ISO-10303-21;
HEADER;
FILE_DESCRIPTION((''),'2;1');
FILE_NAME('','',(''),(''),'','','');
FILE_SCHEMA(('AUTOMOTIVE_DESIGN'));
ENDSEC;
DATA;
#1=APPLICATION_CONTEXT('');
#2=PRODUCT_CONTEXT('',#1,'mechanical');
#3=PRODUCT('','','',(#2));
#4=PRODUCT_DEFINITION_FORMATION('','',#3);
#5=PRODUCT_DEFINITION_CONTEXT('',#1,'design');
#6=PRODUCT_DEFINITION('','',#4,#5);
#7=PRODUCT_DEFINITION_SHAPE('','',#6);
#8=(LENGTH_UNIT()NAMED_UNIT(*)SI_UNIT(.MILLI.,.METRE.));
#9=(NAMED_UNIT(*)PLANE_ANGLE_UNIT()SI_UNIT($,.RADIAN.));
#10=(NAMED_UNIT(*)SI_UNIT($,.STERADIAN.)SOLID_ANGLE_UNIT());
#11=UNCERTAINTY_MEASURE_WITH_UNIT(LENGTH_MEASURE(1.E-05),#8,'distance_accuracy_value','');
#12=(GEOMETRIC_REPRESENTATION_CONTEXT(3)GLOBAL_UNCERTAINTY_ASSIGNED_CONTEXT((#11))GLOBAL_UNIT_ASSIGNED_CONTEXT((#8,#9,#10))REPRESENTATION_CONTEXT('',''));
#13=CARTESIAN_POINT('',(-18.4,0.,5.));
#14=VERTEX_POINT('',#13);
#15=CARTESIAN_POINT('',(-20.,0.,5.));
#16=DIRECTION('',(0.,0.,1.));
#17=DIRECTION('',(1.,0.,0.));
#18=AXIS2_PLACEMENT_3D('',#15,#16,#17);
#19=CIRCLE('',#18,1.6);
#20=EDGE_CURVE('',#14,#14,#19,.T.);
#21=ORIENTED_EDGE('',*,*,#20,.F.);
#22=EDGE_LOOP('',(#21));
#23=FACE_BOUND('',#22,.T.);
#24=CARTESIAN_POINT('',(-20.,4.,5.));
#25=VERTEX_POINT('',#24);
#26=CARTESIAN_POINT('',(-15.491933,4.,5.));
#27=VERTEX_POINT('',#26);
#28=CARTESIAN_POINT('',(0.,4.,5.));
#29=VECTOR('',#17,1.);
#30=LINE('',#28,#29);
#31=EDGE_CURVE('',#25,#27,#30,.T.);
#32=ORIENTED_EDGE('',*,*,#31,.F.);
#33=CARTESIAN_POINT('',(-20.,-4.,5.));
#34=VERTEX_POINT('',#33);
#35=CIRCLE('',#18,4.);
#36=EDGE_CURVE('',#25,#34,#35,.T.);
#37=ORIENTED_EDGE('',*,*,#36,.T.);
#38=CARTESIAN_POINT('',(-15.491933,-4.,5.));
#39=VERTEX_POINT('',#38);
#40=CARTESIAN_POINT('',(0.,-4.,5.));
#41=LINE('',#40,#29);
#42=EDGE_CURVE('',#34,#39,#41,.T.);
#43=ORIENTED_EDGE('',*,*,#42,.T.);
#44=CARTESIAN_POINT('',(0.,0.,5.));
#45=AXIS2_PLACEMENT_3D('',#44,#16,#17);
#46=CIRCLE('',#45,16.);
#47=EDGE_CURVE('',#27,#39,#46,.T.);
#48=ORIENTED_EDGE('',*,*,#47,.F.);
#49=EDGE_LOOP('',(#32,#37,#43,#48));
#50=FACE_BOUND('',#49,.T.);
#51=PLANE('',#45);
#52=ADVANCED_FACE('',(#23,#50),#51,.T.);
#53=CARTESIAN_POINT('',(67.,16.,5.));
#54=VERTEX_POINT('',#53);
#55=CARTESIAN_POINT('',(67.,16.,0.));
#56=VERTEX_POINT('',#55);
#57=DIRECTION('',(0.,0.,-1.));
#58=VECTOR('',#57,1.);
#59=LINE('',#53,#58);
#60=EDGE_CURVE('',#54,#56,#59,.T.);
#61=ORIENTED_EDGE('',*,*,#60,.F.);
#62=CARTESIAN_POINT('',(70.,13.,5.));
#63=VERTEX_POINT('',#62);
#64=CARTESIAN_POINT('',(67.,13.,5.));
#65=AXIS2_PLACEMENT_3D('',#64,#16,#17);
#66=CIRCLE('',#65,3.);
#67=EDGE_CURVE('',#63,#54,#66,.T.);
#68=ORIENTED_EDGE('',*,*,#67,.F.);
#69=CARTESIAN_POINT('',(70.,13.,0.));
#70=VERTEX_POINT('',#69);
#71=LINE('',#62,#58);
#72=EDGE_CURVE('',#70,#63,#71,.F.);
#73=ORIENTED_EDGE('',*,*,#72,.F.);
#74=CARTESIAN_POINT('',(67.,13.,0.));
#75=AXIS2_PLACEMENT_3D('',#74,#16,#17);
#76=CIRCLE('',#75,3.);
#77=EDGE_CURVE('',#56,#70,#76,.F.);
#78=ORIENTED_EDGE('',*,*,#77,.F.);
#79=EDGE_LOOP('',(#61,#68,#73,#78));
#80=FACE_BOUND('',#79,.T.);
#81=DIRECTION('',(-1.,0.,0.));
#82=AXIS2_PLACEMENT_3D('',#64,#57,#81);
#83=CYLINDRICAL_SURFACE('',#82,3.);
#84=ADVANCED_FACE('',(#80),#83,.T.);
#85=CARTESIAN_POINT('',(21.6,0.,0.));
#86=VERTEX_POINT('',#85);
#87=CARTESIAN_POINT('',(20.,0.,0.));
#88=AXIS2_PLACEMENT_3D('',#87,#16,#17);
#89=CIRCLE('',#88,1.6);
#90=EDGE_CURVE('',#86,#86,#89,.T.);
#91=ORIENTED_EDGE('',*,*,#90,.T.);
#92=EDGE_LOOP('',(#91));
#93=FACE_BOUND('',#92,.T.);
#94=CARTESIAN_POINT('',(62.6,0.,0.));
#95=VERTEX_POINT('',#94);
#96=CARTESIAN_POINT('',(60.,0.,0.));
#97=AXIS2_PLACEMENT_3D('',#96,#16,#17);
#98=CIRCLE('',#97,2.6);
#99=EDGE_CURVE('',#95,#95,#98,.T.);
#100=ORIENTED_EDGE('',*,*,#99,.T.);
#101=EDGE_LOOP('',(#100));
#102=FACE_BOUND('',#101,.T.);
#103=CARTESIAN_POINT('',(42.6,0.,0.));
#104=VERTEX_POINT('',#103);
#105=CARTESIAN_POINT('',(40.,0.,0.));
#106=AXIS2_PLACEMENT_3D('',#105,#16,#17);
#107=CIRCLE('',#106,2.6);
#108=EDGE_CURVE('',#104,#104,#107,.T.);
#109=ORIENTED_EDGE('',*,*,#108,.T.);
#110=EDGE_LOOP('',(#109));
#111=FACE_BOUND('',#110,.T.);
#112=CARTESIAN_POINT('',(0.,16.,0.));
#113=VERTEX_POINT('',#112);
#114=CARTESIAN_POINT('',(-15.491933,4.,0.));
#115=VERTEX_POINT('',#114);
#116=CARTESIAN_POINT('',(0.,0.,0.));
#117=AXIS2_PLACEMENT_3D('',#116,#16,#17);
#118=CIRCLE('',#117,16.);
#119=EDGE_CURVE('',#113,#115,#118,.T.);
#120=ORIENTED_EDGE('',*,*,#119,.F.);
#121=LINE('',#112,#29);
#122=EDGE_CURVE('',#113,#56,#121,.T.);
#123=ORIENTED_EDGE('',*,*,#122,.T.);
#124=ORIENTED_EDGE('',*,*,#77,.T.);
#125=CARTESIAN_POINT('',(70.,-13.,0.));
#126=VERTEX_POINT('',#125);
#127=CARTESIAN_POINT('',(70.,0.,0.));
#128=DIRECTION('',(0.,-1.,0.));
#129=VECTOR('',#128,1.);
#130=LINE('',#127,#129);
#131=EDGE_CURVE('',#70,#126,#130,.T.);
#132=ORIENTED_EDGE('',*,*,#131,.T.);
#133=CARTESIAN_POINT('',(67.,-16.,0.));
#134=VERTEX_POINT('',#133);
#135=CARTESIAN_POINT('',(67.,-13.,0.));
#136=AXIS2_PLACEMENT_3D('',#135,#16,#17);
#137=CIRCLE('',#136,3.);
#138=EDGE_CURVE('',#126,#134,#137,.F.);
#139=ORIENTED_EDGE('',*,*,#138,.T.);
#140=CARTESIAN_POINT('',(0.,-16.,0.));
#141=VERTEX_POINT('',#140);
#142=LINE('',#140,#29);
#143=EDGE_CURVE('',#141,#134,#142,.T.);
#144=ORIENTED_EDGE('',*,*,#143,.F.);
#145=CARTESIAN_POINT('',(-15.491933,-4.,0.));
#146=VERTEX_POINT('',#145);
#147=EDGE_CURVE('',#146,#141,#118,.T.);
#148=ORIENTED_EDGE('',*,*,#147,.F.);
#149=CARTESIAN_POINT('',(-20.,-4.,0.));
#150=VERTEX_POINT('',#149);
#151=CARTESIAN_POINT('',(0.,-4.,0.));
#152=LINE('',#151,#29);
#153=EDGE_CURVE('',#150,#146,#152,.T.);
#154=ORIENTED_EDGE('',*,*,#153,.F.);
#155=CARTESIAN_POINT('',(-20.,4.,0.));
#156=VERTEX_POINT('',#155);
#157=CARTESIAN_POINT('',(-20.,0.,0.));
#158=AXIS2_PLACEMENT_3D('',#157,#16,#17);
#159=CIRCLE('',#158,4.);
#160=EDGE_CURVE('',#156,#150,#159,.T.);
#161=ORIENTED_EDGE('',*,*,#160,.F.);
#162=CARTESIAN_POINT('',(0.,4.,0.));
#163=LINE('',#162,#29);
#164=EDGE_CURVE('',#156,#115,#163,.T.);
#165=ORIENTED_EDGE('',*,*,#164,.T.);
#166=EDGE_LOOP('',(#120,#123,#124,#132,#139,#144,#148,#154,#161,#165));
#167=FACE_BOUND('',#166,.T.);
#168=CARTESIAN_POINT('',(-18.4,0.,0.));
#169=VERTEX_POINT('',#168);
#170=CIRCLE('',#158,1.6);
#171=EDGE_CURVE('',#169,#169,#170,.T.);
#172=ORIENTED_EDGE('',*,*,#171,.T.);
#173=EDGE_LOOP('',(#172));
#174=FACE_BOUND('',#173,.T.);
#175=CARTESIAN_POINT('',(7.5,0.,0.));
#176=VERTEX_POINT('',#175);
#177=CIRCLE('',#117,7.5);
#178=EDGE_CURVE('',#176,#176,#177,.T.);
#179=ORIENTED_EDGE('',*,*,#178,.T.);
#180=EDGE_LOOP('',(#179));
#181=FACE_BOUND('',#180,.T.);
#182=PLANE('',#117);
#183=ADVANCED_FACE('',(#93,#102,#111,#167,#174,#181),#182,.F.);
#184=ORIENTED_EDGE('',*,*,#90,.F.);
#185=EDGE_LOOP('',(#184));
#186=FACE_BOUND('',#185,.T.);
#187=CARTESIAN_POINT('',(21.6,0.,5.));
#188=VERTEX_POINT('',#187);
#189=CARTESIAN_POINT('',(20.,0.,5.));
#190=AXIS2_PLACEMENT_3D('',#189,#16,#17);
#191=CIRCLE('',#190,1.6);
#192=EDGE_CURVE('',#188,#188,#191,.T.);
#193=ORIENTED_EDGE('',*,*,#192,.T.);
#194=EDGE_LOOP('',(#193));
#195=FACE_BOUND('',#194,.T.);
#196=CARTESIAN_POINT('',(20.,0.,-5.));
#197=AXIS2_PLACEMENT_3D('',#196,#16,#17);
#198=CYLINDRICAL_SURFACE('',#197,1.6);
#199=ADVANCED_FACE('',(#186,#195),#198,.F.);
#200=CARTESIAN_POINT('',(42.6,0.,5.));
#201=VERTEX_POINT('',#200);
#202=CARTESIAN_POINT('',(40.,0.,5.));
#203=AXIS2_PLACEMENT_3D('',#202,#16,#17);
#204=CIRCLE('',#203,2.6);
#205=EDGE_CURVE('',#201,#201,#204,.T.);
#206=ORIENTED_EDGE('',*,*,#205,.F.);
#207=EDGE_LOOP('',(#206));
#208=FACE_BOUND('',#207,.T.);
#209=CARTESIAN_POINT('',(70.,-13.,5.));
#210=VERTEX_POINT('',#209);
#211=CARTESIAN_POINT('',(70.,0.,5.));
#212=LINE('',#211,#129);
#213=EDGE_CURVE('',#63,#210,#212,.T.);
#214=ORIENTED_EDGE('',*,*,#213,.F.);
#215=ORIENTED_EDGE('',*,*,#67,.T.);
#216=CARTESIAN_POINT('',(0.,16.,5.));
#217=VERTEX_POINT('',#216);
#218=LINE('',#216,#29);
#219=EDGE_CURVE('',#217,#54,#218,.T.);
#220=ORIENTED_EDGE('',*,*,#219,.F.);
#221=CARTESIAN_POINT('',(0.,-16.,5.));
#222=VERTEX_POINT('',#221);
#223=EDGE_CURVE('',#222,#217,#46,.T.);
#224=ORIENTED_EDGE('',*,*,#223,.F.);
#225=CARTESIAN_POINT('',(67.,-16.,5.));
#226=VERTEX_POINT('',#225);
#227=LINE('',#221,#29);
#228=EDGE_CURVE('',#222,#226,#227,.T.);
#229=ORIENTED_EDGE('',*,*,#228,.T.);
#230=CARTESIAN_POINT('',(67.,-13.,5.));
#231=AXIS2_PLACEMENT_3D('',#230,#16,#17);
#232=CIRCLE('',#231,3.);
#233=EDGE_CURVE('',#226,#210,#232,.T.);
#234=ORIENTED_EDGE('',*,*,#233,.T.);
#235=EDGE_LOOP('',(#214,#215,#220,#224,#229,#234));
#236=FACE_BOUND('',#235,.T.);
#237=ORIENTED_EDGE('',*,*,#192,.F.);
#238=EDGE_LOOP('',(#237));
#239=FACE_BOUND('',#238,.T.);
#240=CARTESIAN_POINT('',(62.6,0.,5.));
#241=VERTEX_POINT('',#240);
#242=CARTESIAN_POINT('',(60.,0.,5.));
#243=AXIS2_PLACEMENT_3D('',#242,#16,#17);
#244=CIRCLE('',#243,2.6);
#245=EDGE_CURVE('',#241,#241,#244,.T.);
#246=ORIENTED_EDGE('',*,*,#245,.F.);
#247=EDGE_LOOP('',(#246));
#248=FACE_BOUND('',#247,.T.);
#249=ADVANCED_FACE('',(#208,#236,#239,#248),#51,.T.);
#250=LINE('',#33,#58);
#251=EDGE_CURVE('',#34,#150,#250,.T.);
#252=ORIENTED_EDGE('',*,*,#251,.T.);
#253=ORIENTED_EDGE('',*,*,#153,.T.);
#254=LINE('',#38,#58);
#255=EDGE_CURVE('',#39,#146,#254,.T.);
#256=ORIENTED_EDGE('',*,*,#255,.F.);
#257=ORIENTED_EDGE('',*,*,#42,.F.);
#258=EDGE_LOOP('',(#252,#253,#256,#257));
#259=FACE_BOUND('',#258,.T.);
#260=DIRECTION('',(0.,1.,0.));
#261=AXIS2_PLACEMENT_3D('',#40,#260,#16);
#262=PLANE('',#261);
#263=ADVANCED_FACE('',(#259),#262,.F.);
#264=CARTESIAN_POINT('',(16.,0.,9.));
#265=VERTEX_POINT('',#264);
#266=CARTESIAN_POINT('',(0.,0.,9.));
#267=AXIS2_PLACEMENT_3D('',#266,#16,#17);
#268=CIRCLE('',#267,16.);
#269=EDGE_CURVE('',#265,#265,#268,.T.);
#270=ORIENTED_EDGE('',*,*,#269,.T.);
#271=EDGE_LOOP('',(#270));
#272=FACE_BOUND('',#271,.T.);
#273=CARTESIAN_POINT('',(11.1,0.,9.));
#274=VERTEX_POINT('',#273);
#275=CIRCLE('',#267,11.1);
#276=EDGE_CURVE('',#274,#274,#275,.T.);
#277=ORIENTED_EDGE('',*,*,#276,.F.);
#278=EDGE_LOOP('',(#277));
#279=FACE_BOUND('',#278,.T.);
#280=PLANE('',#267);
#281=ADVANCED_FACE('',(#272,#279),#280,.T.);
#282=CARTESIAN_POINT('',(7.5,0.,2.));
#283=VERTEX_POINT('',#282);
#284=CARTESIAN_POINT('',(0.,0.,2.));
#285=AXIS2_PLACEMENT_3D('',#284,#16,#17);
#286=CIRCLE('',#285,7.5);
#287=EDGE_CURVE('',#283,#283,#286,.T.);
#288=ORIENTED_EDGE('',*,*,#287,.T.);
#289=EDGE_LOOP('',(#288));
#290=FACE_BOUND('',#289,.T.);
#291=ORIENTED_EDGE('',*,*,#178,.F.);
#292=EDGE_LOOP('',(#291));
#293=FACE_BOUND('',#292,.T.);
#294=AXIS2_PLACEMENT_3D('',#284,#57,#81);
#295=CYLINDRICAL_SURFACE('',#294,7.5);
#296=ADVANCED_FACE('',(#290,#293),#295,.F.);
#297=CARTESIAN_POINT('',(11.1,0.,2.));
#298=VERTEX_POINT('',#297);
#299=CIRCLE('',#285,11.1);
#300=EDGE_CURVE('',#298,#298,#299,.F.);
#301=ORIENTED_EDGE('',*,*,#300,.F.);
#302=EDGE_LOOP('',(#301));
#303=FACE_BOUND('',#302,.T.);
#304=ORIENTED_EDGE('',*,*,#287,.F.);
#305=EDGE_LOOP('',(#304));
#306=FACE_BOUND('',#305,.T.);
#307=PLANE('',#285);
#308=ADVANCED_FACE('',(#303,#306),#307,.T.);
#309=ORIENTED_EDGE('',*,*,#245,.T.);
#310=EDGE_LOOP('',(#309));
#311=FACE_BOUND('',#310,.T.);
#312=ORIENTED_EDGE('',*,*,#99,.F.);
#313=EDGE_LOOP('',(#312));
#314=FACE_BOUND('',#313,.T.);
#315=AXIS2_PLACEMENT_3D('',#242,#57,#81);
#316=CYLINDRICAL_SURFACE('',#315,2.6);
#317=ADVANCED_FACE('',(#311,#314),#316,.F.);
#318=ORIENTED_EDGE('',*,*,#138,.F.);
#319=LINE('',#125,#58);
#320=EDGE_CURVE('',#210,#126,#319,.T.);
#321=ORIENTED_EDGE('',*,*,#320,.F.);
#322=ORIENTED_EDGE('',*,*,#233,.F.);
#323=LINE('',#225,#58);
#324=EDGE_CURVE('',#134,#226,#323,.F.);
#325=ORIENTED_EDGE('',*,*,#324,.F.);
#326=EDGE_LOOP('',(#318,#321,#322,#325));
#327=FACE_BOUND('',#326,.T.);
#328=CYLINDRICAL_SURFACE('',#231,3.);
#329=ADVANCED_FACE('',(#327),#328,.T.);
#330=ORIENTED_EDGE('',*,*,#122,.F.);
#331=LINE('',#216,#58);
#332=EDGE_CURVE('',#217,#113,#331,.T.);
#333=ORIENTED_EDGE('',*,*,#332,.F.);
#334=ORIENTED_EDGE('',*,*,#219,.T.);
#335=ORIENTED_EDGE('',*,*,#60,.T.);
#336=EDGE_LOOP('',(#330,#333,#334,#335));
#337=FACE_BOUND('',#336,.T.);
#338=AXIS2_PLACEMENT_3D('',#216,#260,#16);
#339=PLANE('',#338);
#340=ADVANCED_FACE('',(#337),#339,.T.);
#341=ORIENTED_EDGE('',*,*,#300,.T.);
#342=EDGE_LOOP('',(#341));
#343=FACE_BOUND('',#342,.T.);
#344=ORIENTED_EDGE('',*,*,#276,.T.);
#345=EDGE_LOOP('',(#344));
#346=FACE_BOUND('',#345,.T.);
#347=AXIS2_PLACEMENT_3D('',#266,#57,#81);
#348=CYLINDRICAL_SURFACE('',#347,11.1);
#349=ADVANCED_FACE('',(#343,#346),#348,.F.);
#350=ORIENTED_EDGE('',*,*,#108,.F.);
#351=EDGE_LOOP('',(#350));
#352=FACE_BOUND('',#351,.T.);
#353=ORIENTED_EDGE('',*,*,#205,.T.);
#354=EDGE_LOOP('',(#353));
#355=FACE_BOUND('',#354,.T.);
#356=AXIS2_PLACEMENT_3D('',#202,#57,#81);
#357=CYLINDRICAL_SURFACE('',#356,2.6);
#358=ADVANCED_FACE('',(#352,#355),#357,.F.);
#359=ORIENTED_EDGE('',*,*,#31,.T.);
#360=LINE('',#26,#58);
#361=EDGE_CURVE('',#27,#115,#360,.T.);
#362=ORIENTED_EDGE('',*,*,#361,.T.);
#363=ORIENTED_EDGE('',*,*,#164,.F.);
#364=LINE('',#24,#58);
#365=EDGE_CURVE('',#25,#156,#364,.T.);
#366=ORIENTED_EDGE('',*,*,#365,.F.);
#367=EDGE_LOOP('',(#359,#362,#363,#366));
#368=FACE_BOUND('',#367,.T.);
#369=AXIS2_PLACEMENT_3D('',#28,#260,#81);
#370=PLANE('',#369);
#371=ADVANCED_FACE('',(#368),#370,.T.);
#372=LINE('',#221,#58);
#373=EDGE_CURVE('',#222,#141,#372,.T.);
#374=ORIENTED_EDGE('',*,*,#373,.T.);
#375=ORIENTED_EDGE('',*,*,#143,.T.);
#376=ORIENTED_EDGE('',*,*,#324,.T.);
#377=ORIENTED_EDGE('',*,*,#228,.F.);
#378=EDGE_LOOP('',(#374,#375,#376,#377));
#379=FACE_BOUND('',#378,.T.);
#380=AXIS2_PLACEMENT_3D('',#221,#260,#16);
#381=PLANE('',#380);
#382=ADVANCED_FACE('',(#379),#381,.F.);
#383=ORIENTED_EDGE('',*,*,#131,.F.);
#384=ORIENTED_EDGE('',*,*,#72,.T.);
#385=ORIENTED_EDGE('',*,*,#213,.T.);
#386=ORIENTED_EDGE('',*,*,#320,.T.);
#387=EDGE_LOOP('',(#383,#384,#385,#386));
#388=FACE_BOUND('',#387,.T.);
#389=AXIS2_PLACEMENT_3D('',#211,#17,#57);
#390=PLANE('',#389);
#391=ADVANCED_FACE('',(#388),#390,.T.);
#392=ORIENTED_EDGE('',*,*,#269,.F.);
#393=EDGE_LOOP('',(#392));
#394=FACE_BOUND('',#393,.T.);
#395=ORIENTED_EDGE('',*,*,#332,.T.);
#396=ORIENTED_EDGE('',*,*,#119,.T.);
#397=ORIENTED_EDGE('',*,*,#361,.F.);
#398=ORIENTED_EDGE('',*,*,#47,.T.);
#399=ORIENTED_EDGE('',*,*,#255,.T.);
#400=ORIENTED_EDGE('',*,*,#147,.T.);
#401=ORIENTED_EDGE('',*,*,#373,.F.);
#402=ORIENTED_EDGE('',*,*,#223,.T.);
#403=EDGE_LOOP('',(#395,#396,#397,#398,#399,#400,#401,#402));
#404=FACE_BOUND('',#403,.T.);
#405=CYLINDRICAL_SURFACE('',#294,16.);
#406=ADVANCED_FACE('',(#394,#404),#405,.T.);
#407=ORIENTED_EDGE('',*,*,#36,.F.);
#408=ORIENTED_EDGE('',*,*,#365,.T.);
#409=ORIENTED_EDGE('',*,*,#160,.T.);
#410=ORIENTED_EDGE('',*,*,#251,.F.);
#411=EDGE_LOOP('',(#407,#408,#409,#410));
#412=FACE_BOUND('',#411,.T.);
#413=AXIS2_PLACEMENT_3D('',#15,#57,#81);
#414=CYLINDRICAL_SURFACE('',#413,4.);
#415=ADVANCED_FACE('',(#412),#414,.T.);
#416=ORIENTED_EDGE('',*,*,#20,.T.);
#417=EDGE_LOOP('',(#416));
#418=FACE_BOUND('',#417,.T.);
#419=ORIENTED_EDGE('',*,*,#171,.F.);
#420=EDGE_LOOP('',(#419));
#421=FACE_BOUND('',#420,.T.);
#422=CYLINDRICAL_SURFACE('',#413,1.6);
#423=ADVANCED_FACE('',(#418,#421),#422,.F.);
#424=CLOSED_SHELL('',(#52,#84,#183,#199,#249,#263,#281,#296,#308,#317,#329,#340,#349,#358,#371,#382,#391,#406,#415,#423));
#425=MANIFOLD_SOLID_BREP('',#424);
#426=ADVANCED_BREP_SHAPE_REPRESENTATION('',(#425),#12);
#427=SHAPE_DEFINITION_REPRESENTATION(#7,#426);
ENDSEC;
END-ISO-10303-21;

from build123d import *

# Parameters (mm, degrees)
SKETCH3_R           = 7.5
BOSS_EXTRUDE3_DEPTH = 2
SKETCH2_R           = 16
SKETCH2_R_2         = 11.1
BOSS_EXTRUDE4_DEPTH = 9
SKETCH4_R           = 2.6
BOSS_EXTRUDE5_DEPTH = 5
FILLET3_R           = 3
SKETCH5_R           = 1.6
BOSS_EXTRUDE6_DEPTH = 5
SKETCH6_R           = 1.6
CUT_EXTRUDE1_DEPTH  = 10


with BuildPart() as part:
    # Sketch3 → Boss-Extrude3 (new body)
    with BuildSketch(Plane.XY):
        with BuildLine():
            Line((-15.491933385, 4), (-15.491933385, -4))
            ThreePointArc((-15.491933385, -4), (16, 0), (-15.491933385, 4))
        make_face()
        Circle(SKETCH3_R, mode=Mode.SUBTRACT)
    extrude(amount=BOSS_EXTRUDE3_DEPTH)

    # Sketch2 → Boss-Extrude4 (add)
    with BuildSketch(Plane.XY):
        Circle(SKETCH2_R)
        Circle(SKETCH2_R_2, mode=Mode.SUBTRACT)
    extrude(amount=BOSS_EXTRUDE4_DEPTH)

    # Sketch4 → Boss-Extrude5 (add)
    with BuildSketch(Plane.XY):
        with BuildLine():
            Line((70, 16), (30, 16))
            Line((30, 16), (0, 16))
            ThreePointArc((0, 16), (11.313708499, 11.313708499), (16, 0))
            ThreePointArc((16, 0), (11.313708499, -11.313708499), (0, -16))
            Line((0, -16), (70, -16))
            Line((70, -16), (70, 16))
        make_face()
        with Locations((40, 0)):
            Circle(SKETCH4_R, mode=Mode.SUBTRACT)
        with Locations((60, 0)):
            Circle(SKETCH4_R, mode=Mode.SUBTRACT)
    extrude(amount=BOSS_EXTRUDE5_DEPTH)

    # Fillet3
    fillet3_edges = [part.edges().sort_by_distance(p)[0] for p in [
        (70, -16, 2.5),
        (70, 16, 2.5),
    ]]
    fillet(fillet3_edges, radius=FILLET3_R)

    # Sketch5 → Boss-Extrude6 (add)
    with BuildSketch(Plane.XY):
        with BuildLine():
            Line((-20, 4), (-15.491933385, 4))
            Line((-15.491933385, 4), (-15.491933385, -4))
            Line((-15.491933385, -4), (-20, -4))
            ThreePointArc((-20, -4), (-24, 0), (-20, 4))
        make_face()
        with Locations((-20, 0)):
            Circle(SKETCH5_R, mode=Mode.SUBTRACT)
    extrude(amount=BOSS_EXTRUDE6_DEPTH)

    # Sketch6 → Cut-Extrude1 (cut)
    with BuildSketch(Plane.XY.offset(5)):
        with Locations((20, 0)):
            Circle(SKETCH6_R)
    extrude(amount=-CUT_EXTRUDE1_DEPTH, mode=Mode.SUBTRACT)


solid = part.part
